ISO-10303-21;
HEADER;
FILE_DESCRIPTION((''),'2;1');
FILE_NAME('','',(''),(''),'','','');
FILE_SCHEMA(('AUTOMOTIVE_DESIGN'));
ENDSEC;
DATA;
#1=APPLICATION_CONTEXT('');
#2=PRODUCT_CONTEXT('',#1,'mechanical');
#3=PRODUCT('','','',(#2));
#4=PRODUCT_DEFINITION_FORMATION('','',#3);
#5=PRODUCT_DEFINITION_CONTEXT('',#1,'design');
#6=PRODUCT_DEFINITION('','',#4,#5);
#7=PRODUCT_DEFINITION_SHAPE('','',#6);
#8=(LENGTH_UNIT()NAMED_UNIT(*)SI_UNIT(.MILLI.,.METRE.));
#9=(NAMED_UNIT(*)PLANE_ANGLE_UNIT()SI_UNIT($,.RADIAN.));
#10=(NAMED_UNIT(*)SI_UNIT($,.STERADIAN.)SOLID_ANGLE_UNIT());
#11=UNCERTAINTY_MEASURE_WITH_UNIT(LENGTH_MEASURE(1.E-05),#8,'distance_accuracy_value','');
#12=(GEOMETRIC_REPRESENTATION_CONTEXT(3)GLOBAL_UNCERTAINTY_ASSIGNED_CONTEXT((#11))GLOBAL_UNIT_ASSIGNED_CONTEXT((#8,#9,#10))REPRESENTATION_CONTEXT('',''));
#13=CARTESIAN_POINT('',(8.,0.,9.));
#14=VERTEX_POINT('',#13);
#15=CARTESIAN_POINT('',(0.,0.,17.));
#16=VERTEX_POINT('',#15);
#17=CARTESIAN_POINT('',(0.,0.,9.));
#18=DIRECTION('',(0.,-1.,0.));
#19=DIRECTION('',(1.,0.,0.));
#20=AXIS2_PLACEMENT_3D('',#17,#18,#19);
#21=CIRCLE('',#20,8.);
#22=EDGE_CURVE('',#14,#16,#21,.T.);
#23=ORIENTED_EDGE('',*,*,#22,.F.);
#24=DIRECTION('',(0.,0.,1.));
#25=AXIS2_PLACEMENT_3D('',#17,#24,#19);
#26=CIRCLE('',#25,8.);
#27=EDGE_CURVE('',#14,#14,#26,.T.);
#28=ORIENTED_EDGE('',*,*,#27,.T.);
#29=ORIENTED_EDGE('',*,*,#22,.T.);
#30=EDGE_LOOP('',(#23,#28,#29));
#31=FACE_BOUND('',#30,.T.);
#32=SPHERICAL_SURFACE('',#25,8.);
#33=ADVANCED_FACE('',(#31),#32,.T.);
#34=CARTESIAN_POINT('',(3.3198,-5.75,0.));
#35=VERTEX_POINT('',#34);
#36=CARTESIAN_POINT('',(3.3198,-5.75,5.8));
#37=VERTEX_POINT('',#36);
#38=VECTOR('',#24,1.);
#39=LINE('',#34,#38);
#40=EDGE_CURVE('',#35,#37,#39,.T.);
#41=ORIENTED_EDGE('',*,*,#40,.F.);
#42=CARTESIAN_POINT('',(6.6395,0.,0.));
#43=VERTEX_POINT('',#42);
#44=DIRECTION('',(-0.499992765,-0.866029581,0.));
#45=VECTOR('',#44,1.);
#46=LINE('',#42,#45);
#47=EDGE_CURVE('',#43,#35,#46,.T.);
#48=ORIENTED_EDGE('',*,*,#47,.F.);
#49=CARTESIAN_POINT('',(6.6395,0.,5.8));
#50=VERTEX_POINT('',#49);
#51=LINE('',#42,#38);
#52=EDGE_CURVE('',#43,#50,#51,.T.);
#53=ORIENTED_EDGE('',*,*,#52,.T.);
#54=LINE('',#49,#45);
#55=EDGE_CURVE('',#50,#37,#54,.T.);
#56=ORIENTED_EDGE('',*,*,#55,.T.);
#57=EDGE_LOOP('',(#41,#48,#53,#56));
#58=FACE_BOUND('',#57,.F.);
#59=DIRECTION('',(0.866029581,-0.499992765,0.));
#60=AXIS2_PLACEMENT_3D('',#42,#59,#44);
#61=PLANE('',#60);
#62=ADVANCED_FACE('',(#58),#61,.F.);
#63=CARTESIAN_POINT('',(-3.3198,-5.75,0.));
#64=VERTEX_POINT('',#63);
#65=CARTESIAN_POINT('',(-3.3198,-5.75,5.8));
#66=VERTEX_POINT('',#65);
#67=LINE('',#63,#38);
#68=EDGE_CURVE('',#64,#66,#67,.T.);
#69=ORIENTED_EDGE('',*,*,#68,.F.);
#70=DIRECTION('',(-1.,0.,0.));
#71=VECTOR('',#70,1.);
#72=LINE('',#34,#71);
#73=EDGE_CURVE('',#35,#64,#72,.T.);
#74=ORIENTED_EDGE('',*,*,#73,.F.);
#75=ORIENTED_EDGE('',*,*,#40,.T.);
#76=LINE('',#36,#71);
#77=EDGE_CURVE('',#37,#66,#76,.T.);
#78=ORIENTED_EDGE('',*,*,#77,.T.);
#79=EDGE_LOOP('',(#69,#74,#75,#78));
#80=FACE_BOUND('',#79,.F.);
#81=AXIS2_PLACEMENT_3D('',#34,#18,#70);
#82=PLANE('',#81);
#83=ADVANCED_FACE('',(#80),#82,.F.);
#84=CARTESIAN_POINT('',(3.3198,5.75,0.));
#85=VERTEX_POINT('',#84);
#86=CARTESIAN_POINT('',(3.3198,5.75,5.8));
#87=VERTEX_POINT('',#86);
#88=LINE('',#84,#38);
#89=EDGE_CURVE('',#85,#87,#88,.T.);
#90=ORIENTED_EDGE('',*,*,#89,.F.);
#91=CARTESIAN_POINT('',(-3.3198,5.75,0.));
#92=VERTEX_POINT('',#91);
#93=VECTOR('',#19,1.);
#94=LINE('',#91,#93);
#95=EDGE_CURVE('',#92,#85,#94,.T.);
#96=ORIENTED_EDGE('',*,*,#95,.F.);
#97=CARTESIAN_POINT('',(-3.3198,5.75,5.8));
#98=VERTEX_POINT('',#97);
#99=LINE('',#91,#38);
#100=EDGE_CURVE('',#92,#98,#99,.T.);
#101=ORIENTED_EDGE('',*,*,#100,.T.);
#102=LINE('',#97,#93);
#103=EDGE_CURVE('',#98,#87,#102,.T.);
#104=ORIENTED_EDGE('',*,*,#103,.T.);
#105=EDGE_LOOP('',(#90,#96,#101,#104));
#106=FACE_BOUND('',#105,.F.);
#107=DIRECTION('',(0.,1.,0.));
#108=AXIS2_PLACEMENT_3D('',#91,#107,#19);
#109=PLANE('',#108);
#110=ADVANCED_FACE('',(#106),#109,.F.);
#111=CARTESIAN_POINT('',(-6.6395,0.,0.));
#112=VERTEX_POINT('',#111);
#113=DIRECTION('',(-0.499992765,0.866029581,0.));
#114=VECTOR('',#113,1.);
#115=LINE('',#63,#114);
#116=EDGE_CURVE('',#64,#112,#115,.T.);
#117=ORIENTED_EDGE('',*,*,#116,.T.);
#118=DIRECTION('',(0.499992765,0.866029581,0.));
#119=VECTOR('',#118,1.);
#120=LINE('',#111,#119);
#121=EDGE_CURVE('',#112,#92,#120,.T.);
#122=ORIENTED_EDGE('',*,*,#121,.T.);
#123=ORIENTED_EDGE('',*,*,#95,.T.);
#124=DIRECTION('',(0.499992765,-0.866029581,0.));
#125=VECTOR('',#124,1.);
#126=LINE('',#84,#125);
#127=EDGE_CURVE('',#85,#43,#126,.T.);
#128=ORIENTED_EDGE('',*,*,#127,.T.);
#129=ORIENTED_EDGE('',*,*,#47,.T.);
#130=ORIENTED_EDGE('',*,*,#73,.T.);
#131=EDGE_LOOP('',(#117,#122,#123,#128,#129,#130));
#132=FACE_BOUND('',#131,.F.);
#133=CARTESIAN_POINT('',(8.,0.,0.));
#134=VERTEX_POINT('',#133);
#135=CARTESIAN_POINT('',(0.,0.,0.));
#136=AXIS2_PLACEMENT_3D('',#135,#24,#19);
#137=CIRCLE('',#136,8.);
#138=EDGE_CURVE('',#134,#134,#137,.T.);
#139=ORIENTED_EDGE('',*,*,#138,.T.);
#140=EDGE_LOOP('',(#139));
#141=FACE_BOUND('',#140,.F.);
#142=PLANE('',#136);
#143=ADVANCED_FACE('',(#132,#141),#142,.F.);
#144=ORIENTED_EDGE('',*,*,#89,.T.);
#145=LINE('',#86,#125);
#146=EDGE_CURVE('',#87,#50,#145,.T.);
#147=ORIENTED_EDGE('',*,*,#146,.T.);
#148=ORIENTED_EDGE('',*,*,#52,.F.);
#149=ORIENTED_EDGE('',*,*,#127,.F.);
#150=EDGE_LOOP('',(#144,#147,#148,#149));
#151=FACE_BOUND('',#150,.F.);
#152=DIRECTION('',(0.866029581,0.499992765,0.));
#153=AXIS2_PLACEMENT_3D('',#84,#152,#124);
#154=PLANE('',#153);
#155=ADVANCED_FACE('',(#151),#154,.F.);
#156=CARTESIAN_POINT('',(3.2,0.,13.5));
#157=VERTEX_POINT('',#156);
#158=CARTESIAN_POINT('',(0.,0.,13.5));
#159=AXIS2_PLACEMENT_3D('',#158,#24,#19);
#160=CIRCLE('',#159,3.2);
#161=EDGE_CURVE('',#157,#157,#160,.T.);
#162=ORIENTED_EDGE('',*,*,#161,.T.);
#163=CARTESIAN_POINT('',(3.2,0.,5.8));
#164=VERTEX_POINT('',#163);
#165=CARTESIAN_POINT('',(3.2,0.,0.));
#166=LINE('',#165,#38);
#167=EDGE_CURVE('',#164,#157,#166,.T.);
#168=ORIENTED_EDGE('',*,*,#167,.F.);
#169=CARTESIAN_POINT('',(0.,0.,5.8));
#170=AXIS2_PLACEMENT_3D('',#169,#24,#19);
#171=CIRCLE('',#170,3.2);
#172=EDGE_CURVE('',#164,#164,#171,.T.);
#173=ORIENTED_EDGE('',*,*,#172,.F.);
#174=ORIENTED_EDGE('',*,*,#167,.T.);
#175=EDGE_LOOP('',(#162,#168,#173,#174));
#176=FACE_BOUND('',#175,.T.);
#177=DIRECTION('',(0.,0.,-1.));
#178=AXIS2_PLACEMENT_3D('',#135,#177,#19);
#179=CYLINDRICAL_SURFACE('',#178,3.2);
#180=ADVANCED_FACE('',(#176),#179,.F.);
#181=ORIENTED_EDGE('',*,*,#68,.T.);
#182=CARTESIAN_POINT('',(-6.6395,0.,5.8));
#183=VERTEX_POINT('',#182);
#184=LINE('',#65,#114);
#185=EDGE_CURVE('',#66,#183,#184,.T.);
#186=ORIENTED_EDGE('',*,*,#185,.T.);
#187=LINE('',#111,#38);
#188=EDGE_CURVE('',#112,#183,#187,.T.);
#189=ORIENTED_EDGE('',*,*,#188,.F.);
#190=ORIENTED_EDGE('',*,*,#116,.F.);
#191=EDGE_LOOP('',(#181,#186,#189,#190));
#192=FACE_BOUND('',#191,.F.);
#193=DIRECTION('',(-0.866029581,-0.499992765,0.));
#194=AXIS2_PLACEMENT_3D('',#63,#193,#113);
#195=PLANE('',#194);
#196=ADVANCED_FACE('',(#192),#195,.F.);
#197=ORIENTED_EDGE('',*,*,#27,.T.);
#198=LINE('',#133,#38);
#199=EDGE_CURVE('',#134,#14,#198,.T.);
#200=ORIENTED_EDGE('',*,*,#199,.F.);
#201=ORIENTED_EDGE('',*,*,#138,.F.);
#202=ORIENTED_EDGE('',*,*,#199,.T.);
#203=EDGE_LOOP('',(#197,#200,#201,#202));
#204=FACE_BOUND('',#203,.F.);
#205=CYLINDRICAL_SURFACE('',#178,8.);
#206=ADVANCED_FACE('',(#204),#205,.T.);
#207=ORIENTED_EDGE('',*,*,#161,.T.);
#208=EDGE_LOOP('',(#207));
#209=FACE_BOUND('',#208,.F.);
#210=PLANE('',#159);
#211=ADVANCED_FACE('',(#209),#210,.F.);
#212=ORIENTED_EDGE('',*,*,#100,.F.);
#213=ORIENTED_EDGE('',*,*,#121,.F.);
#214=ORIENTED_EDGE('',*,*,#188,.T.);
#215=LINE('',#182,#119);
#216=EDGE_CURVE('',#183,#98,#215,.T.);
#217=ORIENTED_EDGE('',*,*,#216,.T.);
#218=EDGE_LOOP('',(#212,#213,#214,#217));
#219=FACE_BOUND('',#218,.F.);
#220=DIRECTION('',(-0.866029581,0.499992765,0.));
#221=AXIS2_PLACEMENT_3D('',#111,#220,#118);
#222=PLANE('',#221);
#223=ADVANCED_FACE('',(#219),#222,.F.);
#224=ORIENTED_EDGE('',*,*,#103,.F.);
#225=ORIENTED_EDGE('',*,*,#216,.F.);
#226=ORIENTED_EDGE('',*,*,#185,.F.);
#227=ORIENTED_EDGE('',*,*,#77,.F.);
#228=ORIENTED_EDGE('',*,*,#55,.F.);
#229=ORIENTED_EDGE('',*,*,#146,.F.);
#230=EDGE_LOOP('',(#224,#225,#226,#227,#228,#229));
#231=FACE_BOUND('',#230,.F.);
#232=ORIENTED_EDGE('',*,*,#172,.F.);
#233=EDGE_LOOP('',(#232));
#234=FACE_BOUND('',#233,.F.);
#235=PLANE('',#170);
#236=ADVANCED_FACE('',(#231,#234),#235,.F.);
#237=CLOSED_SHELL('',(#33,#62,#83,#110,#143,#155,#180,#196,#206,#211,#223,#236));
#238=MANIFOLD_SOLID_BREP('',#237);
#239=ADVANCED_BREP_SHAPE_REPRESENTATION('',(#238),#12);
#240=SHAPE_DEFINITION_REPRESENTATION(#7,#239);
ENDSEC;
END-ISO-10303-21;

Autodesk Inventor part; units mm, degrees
ref_plane "YZ Plane" through (0, 0, 0) normal (1, 0, 0) x (0, 1, 0)
ref_plane "XZ Plane" through (0, 0, 0) normal (0, 1, 0) x (-1, 0, 0)
ref_plane "XY Plane" through (0, 0, 0) normal (0, 0, 1) x (1, 0, 0)
sketch "Sketch1" plane through (0, 0, 0) normal (0, 0, 1) x (1, 0, 0)
  circle A0 centre (0, 0) radius 8
  line L0 (3.3198, 5.75) -> (6.6395, 0)
  line L1 (6.6395, 0) -> (3.3198, -5.75)
  line L2 (3.3198, -5.75) -> (-3.3198, -5.75)
  line L3 (-3.3198, -5.75) -> (-6.6395, 0)
  line L4 (-6.6395, 0) -> (-3.3198, 5.75)
  line L5 (-3.3198, 5.75) -> (3.3198, 5.75)
  circle A1 centre (0, 0) radius 3.2
  dimension "d0" = 16
  dimension "d1" = 11.5
  dimension "d2" = 6.4
extrude "Extrusion1" add sketch "Sketch1" along normal blind 17 contours A0 | L0 L1 L2 L3 L4 L5 | A1
fillet "Fillet1" radius 8 1 edges at (-8, 0, 17)
extrude "Extrusion2" cut sketch "Sketch1" along normal blind 13.5 contours A1
extrude "Extrusion3" cut sketch "Sketch1" along normal blind 5.8 contours L0 L1 L2 L3 L4 L5
properties part number "BreakerBoltCover"
